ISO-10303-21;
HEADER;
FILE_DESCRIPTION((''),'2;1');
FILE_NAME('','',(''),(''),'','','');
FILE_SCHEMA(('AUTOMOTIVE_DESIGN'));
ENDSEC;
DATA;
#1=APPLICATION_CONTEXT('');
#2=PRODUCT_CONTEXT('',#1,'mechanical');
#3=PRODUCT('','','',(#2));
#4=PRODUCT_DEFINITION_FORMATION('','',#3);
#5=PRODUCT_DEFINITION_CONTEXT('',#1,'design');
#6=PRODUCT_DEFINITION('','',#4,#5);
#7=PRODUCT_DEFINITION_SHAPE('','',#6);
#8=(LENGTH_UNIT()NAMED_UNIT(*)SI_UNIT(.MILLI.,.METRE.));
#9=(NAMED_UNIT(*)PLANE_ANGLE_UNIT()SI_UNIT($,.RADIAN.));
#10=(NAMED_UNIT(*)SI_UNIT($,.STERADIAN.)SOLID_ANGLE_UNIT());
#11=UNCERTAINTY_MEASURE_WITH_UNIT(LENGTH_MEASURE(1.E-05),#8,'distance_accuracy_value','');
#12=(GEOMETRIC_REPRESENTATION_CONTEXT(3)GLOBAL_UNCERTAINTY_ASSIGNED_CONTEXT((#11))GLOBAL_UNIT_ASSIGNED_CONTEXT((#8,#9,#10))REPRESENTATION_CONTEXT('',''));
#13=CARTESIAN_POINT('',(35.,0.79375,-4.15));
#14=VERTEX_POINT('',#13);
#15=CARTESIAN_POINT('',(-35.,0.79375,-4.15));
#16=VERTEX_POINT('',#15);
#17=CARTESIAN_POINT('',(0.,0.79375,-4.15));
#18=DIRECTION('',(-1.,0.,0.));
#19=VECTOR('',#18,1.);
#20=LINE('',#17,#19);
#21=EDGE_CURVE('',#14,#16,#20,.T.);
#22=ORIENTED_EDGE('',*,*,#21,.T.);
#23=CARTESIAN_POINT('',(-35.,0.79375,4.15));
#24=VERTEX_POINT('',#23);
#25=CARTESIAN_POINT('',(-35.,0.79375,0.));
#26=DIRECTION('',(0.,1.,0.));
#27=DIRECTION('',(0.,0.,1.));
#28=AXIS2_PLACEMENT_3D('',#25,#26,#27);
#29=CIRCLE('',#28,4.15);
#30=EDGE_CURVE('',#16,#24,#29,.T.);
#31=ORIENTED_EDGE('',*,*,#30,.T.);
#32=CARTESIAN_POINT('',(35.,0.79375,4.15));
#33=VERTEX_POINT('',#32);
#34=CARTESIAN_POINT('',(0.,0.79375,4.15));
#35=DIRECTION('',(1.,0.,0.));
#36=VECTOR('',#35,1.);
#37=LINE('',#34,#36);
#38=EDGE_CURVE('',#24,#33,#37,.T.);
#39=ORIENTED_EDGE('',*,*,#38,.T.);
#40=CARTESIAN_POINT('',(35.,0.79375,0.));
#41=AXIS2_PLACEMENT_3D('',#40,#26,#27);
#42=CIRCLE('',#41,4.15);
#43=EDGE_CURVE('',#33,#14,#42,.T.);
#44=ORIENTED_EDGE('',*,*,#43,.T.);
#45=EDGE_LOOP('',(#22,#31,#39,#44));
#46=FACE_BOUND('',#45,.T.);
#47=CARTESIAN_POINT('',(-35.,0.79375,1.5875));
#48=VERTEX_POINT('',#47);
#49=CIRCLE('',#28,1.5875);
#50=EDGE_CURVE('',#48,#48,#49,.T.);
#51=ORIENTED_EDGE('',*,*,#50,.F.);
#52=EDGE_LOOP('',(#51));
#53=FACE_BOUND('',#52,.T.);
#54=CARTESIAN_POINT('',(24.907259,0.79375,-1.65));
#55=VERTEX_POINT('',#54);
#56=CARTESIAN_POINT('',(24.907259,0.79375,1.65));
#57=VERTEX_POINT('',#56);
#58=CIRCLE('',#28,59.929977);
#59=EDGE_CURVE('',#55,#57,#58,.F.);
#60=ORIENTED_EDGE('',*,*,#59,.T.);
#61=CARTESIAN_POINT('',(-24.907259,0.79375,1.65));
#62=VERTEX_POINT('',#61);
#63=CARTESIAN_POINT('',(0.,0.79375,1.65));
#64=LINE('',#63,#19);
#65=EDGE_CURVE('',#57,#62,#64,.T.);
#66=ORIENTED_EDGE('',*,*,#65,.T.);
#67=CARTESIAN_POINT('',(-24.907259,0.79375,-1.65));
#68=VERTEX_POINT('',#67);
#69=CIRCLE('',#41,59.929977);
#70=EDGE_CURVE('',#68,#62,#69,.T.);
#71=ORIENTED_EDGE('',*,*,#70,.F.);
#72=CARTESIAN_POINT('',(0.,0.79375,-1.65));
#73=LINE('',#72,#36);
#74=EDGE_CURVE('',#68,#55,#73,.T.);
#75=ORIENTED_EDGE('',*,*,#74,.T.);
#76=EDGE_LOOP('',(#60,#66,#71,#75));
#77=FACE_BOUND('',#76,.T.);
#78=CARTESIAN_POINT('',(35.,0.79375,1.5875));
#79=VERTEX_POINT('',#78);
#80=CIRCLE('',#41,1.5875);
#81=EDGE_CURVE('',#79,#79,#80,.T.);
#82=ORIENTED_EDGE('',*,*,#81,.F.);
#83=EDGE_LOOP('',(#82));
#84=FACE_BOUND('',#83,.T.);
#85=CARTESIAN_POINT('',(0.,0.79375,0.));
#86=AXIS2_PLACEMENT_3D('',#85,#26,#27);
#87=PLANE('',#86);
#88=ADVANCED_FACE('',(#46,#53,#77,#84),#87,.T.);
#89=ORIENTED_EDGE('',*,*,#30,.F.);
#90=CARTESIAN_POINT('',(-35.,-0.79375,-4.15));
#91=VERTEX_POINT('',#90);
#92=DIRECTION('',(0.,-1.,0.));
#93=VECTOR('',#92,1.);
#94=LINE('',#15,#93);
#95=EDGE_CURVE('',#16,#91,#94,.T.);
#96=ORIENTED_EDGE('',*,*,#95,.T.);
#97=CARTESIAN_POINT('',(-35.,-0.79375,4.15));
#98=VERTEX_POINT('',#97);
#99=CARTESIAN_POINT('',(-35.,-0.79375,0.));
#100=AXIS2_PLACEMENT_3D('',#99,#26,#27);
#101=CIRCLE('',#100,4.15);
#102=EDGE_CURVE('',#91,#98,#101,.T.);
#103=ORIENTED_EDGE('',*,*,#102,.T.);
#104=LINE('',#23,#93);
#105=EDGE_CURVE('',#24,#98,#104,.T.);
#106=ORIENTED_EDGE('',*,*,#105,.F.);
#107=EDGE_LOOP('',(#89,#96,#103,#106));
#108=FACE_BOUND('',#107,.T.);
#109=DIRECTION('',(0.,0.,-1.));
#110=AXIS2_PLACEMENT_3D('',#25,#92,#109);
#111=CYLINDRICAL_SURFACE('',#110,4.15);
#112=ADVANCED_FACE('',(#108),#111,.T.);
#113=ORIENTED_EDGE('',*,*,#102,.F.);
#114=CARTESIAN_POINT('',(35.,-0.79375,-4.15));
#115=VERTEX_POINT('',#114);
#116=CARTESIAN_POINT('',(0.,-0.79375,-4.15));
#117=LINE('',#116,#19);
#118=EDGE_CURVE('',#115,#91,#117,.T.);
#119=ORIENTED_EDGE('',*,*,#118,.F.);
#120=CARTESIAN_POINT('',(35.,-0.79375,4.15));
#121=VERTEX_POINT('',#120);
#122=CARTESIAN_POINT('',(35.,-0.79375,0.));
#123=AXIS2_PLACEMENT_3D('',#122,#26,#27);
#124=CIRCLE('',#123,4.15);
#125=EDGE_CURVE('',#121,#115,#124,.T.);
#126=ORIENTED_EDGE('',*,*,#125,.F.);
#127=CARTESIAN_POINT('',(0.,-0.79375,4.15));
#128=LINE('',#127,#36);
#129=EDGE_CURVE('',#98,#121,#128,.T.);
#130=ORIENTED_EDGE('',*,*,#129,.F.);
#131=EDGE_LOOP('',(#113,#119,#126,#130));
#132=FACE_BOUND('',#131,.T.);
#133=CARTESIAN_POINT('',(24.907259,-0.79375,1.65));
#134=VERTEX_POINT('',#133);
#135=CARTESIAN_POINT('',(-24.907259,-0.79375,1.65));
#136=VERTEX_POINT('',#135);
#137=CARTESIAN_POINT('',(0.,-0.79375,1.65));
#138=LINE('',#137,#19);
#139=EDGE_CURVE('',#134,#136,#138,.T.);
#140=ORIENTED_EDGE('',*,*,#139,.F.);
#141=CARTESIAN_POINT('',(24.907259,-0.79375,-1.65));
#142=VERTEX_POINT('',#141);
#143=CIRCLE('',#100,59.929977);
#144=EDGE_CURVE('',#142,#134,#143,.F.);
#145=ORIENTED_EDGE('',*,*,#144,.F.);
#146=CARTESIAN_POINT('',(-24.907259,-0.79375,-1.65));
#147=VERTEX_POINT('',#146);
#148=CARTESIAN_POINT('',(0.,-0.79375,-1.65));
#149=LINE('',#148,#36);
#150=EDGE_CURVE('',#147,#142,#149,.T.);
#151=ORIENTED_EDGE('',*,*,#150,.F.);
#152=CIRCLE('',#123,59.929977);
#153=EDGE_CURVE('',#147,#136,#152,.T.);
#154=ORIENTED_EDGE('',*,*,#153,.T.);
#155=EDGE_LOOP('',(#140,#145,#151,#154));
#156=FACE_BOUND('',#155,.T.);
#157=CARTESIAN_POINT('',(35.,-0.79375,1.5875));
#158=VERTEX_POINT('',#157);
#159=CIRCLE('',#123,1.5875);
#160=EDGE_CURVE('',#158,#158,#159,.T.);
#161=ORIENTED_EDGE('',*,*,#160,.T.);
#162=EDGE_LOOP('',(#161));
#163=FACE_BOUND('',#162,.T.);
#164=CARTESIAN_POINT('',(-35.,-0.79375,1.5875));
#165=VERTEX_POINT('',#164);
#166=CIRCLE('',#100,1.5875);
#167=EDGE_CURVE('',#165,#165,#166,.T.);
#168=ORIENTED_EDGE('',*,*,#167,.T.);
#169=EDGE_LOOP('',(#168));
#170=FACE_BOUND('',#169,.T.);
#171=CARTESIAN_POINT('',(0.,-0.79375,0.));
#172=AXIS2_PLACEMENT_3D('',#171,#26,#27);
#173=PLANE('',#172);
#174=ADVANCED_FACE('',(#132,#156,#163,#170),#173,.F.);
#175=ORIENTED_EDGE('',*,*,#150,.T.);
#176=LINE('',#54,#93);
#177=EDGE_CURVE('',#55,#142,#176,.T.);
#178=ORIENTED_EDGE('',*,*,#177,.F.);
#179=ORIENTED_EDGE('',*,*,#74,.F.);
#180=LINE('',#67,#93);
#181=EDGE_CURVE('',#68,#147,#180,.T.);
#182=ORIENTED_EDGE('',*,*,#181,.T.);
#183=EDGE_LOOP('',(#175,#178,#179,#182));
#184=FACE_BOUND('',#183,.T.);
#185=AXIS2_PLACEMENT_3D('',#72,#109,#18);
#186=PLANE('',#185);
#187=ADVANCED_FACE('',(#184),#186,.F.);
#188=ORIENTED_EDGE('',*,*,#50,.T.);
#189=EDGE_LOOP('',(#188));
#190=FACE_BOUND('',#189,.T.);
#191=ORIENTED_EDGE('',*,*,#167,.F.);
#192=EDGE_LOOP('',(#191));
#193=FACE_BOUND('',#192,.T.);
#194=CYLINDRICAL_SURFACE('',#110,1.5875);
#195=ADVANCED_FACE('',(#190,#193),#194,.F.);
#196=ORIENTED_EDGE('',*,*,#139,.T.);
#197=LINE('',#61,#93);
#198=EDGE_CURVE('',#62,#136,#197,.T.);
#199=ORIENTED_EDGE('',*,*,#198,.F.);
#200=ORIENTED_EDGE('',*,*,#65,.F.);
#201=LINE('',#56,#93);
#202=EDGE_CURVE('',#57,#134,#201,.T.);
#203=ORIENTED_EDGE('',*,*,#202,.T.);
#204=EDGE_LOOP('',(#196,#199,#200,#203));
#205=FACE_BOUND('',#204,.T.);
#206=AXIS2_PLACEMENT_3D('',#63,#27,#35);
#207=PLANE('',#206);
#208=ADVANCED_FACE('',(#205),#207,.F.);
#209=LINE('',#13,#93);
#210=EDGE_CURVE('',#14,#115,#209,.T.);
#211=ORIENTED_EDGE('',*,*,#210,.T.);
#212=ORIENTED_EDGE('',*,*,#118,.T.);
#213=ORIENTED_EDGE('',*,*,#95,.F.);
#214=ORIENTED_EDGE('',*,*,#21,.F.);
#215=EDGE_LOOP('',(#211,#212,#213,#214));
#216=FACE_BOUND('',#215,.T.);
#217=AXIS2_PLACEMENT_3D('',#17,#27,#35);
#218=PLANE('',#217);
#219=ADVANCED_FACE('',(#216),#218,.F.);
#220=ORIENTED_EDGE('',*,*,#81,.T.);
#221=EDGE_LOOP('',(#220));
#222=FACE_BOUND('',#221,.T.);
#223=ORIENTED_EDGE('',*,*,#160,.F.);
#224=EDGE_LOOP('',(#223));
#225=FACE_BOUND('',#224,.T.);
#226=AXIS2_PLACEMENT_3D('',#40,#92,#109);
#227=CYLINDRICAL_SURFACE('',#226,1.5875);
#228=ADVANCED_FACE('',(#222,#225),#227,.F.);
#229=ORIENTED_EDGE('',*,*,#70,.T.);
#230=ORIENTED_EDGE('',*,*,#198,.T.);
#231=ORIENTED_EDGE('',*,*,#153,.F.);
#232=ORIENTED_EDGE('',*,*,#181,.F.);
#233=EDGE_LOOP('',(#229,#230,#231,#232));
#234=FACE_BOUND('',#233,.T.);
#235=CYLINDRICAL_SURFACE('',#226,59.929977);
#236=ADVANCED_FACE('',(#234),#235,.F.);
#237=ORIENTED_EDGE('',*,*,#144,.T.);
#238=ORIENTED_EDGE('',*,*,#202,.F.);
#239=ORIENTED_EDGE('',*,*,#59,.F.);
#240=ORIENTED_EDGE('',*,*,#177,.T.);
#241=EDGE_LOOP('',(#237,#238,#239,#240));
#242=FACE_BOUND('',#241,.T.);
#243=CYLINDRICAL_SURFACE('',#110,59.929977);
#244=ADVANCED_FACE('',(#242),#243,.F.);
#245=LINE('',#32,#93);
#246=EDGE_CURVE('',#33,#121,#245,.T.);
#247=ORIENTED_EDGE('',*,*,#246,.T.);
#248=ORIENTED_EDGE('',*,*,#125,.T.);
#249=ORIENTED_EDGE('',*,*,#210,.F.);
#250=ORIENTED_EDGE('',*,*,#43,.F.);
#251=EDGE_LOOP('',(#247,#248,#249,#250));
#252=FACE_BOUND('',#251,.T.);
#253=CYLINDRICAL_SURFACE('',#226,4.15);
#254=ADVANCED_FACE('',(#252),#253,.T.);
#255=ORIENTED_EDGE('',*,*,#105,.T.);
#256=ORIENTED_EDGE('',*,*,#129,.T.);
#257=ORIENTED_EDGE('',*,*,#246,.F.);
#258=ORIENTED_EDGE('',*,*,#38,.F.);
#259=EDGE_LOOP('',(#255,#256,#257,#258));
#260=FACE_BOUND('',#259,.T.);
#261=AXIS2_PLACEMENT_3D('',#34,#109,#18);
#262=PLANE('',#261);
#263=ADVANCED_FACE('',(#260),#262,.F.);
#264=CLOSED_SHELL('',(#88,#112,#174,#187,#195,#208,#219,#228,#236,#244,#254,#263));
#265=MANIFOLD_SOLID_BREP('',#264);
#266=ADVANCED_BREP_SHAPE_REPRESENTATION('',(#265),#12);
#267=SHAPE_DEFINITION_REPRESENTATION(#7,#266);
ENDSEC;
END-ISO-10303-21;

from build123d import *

# Parameters (mm, degrees)
SKETCH1_R           = 1.5875
BOSS_EXTRUDE2_DEPTH = 0.79375


with BuildPart() as part:
    # Sketch1 → Boss-Extrude2 (new, symmetric)
    with BuildSketch(Plane(origin=(0, 0, 0), x_dir=(1, 0, 0), z_dir=(0, 1, 0))):
        with BuildLine():
            Line((35, 4.15), (-35, 4.15))
            ThreePointArc((-35, 4.15), (-39.15, 0), (-35, -4.15))
            Line((-35, -4.15), (35, -4.15))
            ThreePointArc((35, -4.15), (39.15, 0), (35, 4.15))
        make_face()
        with Locations(Location((35, 0, 0), (0, 0, 270))):
            Circle(SKETCH1_R, mode=Mode.SUBTRACT)
        with Locations(Location((-35, 0, 0), (0, 0, 270))):
            Circle(SKETCH1_R, mode=Mode.SUBTRACT)
        with BuildLine():
            Line((24.907258641, -1.65), (-24.907258641, -1.65))
            ThreePointArc((-24.907258641, -1.65), (-24.929976955, 0), (-24.907258641, 1.65))
            Line((-24.907258641, 1.65), (24.907258641, 1.65))
            ThreePointArc((24.907258641, 1.65), (24.929976955, 0), (24.907258641, -1.65))
        make_face(mode=Mode.SUBTRACT)
    extrude(amount=BOSS_EXTRUDE2_DEPTH, both=True)


solid = part.part
